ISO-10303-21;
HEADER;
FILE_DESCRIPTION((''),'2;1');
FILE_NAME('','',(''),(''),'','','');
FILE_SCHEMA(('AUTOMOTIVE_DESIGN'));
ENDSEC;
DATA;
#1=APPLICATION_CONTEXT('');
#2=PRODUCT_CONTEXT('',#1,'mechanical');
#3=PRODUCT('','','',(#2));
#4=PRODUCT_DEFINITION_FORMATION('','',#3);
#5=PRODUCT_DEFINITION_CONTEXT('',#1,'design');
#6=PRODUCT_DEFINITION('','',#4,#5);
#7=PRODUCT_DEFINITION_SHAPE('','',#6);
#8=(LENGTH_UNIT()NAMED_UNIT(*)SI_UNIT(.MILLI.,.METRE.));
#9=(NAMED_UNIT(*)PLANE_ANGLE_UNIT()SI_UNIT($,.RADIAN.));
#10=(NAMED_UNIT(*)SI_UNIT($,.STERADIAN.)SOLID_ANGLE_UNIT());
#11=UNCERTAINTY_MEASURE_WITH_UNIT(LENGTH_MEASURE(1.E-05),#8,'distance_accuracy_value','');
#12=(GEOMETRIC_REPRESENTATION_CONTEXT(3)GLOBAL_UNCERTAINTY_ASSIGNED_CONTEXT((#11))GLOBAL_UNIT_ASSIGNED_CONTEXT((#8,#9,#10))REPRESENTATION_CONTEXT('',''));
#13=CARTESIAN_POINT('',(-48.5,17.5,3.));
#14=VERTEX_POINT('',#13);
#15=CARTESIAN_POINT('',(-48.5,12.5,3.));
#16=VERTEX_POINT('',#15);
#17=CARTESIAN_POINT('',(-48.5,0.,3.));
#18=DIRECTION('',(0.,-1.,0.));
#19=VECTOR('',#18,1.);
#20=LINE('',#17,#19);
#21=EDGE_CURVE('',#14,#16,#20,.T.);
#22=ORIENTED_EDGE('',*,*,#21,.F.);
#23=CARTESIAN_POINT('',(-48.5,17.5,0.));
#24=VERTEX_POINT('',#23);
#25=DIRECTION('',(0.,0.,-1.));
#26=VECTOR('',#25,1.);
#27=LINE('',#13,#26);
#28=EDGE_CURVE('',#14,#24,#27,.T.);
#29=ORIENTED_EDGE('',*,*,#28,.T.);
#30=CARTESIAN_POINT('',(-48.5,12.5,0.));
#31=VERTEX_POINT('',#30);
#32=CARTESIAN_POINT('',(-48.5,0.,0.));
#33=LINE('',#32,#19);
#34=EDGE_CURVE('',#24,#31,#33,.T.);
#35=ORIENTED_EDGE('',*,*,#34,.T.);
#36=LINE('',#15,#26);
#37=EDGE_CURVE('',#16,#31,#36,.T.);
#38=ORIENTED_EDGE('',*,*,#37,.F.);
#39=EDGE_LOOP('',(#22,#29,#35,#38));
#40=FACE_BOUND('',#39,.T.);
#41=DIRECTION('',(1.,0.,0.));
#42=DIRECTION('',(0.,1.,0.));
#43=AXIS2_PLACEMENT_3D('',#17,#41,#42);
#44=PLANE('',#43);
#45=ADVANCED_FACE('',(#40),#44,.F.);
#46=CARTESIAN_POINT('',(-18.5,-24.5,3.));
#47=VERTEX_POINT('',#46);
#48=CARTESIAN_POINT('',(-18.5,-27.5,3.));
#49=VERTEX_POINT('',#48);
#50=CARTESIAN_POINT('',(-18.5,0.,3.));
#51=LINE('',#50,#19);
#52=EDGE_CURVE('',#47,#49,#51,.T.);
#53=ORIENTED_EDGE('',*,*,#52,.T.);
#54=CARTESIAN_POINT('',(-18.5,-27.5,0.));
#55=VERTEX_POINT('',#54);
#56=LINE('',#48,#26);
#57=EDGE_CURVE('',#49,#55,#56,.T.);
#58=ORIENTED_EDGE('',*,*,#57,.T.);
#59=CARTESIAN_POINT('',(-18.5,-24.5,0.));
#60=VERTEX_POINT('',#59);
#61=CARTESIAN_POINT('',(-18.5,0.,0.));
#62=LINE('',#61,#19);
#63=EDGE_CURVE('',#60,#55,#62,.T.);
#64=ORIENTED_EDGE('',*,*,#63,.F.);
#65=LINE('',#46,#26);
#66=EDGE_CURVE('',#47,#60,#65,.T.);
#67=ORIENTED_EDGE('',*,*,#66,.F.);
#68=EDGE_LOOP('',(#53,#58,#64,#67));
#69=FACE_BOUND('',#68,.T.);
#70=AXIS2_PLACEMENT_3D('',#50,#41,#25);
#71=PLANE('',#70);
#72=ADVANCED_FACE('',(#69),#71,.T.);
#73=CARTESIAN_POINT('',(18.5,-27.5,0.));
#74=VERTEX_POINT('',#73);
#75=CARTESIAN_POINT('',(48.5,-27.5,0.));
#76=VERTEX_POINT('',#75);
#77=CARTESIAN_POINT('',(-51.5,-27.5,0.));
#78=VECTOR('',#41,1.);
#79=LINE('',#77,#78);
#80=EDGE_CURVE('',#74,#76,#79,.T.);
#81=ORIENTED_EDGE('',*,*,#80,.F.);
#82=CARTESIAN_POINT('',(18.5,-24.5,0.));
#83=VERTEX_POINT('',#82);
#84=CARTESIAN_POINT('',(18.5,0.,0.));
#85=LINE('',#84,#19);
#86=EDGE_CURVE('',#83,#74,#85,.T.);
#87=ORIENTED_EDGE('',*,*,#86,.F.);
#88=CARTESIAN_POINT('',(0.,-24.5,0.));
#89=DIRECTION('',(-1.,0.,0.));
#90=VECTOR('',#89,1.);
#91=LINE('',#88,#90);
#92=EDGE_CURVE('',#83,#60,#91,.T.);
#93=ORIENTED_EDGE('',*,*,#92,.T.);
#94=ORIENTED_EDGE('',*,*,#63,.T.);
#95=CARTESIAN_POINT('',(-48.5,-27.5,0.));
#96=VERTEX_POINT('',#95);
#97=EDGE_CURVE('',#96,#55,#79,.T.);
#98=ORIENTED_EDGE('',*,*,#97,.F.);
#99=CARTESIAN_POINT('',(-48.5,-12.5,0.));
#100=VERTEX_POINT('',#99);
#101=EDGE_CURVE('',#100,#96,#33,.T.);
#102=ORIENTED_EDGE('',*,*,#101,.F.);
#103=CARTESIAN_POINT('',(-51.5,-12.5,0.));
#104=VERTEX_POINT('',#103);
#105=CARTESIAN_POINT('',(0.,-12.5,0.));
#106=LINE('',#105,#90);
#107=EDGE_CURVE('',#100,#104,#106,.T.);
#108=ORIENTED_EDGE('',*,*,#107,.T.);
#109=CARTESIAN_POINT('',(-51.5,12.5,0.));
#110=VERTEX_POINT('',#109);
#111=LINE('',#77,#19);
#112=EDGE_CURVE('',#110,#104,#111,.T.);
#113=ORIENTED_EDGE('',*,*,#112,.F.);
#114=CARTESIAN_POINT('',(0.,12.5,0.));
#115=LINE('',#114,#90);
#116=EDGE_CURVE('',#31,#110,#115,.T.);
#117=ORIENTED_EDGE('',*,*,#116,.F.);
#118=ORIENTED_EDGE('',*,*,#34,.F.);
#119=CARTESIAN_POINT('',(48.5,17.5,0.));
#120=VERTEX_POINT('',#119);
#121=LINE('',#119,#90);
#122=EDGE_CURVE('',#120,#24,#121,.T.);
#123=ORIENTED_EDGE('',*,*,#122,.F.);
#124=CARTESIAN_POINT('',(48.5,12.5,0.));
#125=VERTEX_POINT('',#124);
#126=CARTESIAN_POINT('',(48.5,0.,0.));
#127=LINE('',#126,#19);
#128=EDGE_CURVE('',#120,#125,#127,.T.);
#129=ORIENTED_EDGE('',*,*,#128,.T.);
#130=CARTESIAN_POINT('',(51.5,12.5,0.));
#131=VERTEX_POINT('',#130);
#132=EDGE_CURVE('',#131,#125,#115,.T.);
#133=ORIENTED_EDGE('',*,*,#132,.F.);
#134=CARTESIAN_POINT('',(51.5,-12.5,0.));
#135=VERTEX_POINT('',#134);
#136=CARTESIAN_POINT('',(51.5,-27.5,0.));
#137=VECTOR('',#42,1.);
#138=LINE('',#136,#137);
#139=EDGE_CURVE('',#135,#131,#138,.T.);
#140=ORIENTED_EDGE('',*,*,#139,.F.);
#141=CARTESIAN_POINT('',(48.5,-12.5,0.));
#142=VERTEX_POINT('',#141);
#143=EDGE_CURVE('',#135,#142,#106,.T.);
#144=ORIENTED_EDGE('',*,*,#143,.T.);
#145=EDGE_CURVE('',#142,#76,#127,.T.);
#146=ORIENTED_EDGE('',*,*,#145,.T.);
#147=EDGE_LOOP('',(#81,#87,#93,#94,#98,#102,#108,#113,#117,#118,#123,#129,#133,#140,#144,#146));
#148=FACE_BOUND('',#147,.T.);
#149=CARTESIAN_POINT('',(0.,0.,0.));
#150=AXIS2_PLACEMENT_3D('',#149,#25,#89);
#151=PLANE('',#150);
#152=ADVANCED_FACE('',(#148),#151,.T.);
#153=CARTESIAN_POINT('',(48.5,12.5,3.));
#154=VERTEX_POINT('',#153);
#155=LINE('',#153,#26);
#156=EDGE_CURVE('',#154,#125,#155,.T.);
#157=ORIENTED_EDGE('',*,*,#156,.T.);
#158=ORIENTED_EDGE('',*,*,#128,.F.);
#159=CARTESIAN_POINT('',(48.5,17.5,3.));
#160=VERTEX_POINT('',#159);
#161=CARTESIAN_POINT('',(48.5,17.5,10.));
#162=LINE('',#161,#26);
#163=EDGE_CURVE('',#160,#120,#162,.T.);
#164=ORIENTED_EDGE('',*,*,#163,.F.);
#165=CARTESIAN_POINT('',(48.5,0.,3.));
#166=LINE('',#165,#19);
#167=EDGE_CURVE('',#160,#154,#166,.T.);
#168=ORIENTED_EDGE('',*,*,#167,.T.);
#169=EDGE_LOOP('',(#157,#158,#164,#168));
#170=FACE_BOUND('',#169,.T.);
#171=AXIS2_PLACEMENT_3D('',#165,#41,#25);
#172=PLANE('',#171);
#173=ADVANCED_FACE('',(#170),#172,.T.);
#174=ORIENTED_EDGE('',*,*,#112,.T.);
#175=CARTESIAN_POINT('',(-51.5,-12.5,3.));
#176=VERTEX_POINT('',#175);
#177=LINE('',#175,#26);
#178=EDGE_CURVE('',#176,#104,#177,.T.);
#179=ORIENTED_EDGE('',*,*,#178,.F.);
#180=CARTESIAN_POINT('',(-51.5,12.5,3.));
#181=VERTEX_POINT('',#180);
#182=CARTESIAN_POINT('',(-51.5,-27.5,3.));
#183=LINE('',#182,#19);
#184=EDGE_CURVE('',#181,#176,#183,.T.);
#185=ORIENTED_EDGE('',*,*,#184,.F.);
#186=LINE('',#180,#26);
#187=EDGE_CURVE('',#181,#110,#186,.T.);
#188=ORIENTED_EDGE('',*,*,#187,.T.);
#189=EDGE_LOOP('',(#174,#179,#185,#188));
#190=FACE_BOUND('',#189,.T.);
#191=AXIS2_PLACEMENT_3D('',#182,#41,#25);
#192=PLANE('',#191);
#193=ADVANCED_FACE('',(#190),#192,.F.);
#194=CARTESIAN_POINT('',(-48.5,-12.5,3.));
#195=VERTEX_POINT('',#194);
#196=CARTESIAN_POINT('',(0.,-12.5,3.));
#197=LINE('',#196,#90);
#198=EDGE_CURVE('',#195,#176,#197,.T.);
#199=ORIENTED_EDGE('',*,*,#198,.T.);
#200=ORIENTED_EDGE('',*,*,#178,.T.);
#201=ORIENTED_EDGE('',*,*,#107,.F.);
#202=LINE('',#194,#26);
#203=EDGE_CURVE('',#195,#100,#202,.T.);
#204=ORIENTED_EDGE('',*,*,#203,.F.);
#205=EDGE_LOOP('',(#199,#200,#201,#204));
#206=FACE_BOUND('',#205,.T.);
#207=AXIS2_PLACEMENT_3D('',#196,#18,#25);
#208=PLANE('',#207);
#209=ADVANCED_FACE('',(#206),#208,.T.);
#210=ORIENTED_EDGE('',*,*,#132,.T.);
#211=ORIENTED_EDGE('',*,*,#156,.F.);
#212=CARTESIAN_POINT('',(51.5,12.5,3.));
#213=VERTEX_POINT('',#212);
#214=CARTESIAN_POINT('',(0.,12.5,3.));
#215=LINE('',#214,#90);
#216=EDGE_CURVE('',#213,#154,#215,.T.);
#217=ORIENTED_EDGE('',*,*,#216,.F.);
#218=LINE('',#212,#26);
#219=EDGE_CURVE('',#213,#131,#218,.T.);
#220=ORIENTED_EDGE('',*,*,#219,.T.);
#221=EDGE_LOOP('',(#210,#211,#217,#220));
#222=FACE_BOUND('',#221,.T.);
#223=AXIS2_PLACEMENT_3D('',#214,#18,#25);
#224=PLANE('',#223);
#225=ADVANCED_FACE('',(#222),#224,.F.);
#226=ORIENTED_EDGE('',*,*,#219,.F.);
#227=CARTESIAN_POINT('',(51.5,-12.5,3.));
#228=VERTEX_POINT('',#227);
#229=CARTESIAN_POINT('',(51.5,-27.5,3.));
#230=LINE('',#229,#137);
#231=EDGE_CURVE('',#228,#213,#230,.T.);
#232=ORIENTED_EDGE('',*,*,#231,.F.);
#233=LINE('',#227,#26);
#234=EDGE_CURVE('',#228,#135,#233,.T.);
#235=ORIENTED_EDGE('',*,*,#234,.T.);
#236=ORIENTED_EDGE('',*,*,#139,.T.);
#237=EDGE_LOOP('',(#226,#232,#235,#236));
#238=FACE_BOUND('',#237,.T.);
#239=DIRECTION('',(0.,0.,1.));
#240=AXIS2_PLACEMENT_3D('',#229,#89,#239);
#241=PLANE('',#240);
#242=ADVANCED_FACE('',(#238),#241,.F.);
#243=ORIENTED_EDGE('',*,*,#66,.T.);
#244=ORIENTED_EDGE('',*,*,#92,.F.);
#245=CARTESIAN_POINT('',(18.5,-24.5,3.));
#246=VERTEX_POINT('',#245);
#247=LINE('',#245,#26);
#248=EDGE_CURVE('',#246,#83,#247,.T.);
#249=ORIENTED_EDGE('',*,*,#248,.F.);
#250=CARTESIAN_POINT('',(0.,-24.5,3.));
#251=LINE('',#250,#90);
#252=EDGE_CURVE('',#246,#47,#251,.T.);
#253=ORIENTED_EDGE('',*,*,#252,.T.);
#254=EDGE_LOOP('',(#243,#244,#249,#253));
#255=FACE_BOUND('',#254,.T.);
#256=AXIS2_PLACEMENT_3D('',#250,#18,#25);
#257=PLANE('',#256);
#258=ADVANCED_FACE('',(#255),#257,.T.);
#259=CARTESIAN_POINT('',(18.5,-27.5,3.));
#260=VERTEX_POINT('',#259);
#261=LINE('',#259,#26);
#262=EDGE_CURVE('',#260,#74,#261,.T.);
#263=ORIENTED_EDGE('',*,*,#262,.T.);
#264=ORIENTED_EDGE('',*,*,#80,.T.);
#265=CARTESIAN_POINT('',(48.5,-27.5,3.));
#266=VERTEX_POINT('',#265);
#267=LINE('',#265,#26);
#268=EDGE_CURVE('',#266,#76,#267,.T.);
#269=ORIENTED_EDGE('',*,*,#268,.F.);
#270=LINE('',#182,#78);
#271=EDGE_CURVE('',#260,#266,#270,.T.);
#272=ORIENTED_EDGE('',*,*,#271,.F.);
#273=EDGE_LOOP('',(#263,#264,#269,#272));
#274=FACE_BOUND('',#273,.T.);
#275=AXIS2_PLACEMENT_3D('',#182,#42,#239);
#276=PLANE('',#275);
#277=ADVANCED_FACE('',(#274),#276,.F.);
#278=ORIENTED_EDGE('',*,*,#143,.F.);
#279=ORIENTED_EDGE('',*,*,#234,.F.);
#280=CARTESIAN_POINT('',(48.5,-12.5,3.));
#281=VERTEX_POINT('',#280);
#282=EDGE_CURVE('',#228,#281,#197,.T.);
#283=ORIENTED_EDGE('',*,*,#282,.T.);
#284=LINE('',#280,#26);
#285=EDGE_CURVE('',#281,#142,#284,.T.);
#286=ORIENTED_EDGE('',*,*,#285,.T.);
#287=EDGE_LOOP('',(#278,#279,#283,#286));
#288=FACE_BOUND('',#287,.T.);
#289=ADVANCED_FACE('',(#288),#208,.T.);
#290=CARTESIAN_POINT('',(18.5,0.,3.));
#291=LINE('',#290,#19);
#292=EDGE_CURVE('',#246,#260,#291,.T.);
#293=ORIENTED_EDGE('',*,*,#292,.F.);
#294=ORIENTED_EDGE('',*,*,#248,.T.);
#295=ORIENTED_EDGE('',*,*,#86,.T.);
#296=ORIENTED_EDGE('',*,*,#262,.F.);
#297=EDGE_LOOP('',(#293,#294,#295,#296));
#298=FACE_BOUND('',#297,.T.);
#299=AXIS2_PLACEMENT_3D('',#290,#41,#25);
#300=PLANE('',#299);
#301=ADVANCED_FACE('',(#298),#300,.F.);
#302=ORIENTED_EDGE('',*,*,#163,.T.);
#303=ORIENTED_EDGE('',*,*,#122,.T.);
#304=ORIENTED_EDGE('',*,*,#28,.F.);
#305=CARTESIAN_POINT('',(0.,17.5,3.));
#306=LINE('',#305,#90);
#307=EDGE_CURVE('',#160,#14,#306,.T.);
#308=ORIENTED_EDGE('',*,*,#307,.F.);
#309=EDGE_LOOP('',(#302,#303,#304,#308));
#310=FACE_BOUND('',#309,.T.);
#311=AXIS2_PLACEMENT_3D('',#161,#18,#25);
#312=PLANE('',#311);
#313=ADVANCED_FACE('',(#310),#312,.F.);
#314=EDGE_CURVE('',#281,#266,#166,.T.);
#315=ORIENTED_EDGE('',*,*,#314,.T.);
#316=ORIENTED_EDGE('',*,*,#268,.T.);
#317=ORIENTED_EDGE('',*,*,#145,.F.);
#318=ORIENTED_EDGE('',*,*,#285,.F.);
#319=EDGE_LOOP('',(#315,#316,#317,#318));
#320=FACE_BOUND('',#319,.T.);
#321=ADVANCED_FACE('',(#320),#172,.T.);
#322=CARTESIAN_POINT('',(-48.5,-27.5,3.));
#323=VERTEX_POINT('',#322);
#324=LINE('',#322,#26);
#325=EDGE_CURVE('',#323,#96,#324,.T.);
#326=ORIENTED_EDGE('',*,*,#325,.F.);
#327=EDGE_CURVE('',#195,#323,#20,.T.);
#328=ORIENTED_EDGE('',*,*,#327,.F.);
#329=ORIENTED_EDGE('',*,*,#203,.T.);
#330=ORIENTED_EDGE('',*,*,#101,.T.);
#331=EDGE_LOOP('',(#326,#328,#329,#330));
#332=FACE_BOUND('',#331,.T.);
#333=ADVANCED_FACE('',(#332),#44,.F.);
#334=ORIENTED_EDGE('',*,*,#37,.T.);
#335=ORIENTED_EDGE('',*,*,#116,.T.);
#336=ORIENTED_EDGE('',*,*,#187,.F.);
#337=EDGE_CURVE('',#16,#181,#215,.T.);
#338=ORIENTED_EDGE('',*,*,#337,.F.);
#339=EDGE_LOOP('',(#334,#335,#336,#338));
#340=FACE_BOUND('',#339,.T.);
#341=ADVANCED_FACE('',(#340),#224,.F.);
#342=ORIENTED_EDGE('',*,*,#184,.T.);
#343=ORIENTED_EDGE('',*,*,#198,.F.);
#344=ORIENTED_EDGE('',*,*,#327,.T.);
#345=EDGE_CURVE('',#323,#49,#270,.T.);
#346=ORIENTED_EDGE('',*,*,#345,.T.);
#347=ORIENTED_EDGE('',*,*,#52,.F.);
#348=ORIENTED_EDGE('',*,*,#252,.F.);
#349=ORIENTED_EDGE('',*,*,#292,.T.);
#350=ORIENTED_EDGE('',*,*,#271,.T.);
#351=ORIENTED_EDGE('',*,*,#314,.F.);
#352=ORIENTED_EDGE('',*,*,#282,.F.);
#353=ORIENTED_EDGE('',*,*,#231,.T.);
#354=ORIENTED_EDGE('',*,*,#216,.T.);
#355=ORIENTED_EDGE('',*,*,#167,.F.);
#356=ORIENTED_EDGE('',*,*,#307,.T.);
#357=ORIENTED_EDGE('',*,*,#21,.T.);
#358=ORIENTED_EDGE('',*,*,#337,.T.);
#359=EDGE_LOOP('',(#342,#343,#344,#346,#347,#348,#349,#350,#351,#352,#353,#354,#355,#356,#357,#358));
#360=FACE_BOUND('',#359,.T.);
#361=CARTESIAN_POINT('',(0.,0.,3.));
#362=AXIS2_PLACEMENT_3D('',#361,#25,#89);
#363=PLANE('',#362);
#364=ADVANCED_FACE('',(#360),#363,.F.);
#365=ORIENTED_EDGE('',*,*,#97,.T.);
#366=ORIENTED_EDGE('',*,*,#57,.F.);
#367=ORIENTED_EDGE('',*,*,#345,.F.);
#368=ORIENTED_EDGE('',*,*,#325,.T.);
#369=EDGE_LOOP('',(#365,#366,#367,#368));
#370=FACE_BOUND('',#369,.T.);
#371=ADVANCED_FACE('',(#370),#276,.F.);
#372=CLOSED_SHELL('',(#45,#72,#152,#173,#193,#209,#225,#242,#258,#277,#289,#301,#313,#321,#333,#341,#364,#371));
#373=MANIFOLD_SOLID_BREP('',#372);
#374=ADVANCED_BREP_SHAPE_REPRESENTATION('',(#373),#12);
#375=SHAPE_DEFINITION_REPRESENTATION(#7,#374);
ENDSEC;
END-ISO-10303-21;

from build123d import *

# Parameters (mm, degrees)
ESBO_O1_W                = 103
ESBO_O1_H                = 55
RESSALTO_EXTRUS_O1_DEPTH = 3
ESBO_O2_W                = 3
ESBO_O2_H                = 15
CORTE_EXTRUS_O1_DEPTH    = 59.459387612
ESBO_O3_W                = 37
ESBO_O3_H                = 3
CORTE_EXTRUS_O2_DEPTH    = 59.459387612
ESBO_O4_W                = 97
ESBO_O4_H                = 10
CORTE_EXTRUS_O3_DEPTH    = 10


with BuildPart() as part:
    # Esboço1 → Ressalto-extrusão1 (new body)
    with BuildSketch(Plane.XY):
        Rectangle(ESBO_O1_W, ESBO_O1_H)
    extrude(amount=RESSALTO_EXTRUS_O1_DEPTH)

    # Esboço2 → Corte-extrusão1 (cut, through all)
    with BuildSketch(Plane(origin=(0, 0, 0), x_dir=(-1, 0, 0), z_dir=(0, 0, -1))):
        with Locations((-50, 20)):
            Rectangle(ESBO_O2_W, ESBO_O2_H)
        with Locations((-50, -20)):
            Rectangle(ESBO_O2_W, ESBO_O2_H)
        with Locations((50, 20)):
            Rectangle(ESBO_O2_W, ESBO_O2_H)
        with Locations((50, -20)):
            Rectangle(ESBO_O2_W, ESBO_O2_H)
    extrude(amount=-CORTE_EXTRUS_O1_DEPTH, mode=Mode.SUBTRACT)

    # Esboço3 → Corte-extrusão2 (cut, through all)
    with BuildSketch(Plane(origin=(0, 0, 0), x_dir=(-1, 0, 0), z_dir=(0, 0, -1))):
        with Locations((0, -26)):
            Rectangle(ESBO_O3_W, ESBO_O3_H)
    extrude(amount=-CORTE_EXTRUS_O2_DEPTH, mode=Mode.SUBTRACT)

    # Esboço4 → Corte-extrusão3 (cut)
    with BuildSketch(Plane(origin=(0, 0, 0), x_dir=(-1, 0, 0), z_dir=(0, 0, -1))):
        with Locations((0, 22.5)):
            Rectangle(ESBO_O4_W, ESBO_O4_H)
    extrude(amount=-CORTE_EXTRUS_O3_DEPTH, mode=Mode.SUBTRACT)


solid = part.part
